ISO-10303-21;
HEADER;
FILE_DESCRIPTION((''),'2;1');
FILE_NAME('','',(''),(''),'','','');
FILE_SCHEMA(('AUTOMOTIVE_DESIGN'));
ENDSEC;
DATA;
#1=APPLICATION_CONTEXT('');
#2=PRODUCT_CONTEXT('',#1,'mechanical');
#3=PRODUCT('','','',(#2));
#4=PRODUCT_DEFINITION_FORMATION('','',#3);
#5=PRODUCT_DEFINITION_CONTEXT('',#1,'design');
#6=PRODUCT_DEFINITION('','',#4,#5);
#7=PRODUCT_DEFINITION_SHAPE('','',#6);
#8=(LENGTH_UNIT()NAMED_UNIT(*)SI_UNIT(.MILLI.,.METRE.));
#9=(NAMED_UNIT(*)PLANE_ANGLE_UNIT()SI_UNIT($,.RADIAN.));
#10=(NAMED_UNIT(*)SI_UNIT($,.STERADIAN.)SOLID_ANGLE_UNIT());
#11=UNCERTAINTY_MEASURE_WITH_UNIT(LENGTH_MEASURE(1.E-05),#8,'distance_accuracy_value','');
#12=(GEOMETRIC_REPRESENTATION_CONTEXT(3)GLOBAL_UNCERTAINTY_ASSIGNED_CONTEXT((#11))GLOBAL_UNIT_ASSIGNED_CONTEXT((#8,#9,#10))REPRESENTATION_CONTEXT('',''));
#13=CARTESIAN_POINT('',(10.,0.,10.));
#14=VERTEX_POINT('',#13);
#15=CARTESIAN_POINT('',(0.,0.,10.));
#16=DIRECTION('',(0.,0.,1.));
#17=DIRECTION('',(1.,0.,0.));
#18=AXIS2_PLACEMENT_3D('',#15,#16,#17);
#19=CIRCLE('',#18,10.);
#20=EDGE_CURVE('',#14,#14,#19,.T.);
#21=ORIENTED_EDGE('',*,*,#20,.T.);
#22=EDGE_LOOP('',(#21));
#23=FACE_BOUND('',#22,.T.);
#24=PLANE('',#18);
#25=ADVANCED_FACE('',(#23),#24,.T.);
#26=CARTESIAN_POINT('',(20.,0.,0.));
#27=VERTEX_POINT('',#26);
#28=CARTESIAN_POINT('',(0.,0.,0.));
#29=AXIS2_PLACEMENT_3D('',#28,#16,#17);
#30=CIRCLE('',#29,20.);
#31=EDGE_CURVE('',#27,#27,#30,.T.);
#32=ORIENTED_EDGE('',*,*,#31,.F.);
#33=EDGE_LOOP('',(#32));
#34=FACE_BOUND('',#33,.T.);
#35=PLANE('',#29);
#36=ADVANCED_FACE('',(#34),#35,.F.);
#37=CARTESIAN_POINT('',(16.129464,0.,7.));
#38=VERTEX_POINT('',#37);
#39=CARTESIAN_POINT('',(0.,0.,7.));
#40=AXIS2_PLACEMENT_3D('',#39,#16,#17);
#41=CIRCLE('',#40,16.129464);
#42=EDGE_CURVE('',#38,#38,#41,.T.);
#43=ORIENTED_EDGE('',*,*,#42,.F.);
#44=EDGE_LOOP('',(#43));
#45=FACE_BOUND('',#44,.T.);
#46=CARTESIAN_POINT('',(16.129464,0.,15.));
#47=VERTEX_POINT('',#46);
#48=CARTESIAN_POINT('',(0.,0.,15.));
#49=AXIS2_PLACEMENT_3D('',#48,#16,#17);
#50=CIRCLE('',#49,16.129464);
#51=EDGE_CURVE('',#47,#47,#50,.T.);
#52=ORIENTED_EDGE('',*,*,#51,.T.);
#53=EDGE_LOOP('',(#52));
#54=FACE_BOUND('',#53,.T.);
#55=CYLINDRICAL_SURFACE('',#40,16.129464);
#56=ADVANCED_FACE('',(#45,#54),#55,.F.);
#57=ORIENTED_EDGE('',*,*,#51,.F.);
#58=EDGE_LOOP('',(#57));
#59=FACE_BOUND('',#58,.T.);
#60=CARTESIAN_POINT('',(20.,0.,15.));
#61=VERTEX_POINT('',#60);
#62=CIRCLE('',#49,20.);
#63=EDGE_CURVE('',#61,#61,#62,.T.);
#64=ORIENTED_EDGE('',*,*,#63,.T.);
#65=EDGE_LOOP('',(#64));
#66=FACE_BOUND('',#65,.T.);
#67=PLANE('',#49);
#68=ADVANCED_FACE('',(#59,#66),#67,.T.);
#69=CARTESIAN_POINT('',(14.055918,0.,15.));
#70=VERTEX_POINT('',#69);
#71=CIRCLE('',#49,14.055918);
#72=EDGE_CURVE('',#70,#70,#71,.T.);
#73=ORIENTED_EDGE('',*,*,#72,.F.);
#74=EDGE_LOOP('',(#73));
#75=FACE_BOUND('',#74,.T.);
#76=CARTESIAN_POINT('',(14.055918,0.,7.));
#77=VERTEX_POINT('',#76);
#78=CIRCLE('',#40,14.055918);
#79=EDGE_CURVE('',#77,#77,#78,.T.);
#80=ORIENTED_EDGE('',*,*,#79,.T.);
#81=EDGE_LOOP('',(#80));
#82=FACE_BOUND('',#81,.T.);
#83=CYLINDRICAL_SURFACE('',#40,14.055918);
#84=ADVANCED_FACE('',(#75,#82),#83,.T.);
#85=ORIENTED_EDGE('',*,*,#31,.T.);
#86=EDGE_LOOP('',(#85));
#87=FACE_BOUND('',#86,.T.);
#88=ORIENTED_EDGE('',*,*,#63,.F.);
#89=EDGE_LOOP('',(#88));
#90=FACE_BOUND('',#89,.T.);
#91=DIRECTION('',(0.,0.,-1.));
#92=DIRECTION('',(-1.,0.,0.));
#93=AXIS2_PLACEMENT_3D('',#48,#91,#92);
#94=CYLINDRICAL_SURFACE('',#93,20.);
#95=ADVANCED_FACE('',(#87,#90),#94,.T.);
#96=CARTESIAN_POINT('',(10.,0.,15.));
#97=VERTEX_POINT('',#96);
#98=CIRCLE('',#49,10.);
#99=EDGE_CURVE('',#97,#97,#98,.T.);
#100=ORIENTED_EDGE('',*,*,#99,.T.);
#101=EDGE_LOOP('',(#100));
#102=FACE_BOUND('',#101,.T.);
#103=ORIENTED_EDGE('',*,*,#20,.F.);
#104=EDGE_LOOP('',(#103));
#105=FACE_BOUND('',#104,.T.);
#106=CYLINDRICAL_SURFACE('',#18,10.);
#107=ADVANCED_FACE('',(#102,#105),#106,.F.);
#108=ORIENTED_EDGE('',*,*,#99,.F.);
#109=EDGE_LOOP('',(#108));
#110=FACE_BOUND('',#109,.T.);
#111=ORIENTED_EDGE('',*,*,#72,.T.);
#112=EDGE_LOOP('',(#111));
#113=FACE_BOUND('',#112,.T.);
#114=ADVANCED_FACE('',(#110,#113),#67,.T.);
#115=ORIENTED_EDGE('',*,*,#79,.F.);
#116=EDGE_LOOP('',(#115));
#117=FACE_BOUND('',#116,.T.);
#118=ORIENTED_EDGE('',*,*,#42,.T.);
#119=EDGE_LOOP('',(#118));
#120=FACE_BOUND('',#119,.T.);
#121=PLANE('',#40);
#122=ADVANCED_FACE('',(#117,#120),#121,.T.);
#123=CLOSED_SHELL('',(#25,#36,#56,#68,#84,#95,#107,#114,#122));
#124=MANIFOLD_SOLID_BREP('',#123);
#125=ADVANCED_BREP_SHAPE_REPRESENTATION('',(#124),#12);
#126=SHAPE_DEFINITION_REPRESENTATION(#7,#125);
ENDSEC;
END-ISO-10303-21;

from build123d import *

# Parameters (mm, degrees)
SKETCH1_R           = 20
BOSS_EXTRUDE1_DEPTH = 15
SKETCH2_R           = 10
CUT_EXTRUDE1_DEPTH  = 5
SKETCH3_R           = 16.129464202
SKETCH3_R_2         = 14.05591846
CUT_EXTRUDE2_DEPTH  = 8


with BuildPart() as part:
    # Sketch1 → Boss-Extrude1 (new body)
    with BuildSketch(Plane.XY):
        Circle(SKETCH1_R)
    extrude(amount=BOSS_EXTRUDE1_DEPTH)

    # Sketch2 → Cut-Extrude1 (cut)
    with BuildSketch(Plane.XY.offset(15)):
        Circle(SKETCH2_R)
    extrude(amount=-CUT_EXTRUDE1_DEPTH, mode=Mode.SUBTRACT)

    # Sketch3 → Cut-Extrude2 (cut)
    with BuildSketch(Plane.XY.offset(15)):
        Circle(SKETCH3_R)
        Circle(SKETCH3_R_2, mode=Mode.SUBTRACT)
    extrude(amount=-CUT_EXTRUDE2_DEPTH, mode=Mode.SUBTRACT)


solid = part.part
